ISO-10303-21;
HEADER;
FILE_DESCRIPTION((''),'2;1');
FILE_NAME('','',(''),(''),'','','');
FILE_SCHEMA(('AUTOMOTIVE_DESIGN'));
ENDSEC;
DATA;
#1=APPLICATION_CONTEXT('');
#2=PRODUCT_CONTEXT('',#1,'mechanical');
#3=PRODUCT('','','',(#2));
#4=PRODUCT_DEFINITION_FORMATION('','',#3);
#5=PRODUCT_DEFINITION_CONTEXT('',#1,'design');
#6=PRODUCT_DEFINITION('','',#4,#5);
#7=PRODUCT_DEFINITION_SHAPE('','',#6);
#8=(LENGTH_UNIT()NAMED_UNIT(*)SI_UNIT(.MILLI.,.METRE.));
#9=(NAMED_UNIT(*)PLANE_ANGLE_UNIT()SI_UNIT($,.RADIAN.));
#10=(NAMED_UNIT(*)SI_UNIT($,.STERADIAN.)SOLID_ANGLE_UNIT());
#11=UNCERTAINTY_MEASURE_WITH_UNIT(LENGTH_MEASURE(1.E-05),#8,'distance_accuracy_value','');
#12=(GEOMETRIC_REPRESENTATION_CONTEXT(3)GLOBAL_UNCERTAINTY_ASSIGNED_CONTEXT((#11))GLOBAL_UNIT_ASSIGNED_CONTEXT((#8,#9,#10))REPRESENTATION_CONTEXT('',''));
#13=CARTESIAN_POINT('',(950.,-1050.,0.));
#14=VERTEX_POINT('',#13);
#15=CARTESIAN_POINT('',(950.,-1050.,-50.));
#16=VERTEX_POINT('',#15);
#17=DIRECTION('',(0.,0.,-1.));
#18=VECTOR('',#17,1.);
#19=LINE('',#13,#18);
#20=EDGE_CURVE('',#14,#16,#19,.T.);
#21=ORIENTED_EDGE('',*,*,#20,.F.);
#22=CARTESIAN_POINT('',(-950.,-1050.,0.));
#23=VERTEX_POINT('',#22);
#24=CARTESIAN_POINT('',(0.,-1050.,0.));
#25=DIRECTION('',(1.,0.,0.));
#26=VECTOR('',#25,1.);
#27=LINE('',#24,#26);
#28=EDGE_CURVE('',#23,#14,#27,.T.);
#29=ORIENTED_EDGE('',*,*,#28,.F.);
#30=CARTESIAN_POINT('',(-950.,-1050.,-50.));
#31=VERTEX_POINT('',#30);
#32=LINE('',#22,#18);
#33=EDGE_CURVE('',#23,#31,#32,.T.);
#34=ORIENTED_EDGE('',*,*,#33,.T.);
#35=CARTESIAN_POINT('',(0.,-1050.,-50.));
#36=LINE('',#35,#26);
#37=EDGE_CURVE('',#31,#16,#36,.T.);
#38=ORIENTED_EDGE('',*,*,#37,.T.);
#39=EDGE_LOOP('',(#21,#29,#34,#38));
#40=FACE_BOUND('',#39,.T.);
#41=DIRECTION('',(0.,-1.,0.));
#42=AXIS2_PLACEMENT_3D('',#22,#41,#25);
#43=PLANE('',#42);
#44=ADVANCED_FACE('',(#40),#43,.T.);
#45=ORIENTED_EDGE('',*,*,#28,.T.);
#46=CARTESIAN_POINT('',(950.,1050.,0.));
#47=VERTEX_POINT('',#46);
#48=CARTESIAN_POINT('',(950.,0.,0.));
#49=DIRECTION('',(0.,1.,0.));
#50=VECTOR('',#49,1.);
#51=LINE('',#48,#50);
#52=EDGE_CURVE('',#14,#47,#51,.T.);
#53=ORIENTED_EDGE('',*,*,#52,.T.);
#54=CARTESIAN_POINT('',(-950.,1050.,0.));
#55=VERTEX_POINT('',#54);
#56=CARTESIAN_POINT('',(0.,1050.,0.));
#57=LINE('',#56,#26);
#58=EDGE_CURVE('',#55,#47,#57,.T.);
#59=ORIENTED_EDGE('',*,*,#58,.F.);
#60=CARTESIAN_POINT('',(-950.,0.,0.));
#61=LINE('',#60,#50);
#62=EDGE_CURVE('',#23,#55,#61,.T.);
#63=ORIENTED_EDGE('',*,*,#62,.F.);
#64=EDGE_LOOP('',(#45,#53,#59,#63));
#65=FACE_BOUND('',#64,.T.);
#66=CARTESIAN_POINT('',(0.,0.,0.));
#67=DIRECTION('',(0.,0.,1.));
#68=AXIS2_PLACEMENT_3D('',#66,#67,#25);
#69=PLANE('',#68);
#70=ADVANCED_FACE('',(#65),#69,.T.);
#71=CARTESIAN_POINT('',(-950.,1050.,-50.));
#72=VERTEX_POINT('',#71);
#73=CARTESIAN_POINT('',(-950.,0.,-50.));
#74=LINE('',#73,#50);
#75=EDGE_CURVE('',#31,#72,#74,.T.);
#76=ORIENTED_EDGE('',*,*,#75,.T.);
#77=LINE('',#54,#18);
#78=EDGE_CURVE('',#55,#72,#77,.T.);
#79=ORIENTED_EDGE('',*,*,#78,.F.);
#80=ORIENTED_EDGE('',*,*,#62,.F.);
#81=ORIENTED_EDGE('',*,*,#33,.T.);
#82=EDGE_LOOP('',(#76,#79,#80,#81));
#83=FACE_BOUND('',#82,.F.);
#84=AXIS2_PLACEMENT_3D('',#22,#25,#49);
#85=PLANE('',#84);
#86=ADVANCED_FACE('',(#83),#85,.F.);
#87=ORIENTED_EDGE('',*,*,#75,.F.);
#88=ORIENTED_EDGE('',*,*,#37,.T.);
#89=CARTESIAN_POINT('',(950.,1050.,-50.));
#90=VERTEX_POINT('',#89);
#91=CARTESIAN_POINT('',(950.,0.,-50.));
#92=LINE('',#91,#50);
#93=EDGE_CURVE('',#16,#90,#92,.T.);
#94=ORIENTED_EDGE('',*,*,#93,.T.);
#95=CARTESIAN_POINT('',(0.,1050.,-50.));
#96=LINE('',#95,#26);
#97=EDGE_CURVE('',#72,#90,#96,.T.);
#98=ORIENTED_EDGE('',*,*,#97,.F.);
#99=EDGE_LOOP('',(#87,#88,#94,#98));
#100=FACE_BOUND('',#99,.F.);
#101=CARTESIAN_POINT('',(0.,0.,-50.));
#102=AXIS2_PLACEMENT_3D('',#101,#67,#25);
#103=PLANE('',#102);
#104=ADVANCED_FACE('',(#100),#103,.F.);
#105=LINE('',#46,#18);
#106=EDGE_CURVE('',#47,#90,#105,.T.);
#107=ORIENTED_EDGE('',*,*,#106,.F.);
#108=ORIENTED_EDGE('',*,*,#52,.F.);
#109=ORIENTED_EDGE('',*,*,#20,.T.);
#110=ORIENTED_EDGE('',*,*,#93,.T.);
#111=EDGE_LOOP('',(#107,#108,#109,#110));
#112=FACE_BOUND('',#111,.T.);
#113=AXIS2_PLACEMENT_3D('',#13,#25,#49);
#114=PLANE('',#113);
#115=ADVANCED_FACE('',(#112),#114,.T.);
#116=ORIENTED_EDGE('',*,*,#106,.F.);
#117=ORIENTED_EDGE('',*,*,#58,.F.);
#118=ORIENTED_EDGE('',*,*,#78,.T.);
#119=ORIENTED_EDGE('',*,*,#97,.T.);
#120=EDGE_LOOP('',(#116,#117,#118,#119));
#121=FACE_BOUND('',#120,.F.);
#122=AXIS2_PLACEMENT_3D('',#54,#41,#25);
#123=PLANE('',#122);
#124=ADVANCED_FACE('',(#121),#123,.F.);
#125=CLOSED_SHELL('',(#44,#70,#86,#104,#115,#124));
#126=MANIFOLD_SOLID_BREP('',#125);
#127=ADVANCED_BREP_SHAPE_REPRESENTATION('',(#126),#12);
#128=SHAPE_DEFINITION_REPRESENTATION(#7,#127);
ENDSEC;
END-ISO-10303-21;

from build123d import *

# Parameters (mm, degrees)
F4_W     = 1900
F4_H     = 2100
F5_DEPTH = 50


with BuildPart() as f5:
    # F4 (on Top) → F5 (new body, through all)
    with BuildSketch(Plane.XY):
        Rectangle(F4_W, F4_H)
    extrude(amount=-F5_DEPTH)


solid = f5.part
